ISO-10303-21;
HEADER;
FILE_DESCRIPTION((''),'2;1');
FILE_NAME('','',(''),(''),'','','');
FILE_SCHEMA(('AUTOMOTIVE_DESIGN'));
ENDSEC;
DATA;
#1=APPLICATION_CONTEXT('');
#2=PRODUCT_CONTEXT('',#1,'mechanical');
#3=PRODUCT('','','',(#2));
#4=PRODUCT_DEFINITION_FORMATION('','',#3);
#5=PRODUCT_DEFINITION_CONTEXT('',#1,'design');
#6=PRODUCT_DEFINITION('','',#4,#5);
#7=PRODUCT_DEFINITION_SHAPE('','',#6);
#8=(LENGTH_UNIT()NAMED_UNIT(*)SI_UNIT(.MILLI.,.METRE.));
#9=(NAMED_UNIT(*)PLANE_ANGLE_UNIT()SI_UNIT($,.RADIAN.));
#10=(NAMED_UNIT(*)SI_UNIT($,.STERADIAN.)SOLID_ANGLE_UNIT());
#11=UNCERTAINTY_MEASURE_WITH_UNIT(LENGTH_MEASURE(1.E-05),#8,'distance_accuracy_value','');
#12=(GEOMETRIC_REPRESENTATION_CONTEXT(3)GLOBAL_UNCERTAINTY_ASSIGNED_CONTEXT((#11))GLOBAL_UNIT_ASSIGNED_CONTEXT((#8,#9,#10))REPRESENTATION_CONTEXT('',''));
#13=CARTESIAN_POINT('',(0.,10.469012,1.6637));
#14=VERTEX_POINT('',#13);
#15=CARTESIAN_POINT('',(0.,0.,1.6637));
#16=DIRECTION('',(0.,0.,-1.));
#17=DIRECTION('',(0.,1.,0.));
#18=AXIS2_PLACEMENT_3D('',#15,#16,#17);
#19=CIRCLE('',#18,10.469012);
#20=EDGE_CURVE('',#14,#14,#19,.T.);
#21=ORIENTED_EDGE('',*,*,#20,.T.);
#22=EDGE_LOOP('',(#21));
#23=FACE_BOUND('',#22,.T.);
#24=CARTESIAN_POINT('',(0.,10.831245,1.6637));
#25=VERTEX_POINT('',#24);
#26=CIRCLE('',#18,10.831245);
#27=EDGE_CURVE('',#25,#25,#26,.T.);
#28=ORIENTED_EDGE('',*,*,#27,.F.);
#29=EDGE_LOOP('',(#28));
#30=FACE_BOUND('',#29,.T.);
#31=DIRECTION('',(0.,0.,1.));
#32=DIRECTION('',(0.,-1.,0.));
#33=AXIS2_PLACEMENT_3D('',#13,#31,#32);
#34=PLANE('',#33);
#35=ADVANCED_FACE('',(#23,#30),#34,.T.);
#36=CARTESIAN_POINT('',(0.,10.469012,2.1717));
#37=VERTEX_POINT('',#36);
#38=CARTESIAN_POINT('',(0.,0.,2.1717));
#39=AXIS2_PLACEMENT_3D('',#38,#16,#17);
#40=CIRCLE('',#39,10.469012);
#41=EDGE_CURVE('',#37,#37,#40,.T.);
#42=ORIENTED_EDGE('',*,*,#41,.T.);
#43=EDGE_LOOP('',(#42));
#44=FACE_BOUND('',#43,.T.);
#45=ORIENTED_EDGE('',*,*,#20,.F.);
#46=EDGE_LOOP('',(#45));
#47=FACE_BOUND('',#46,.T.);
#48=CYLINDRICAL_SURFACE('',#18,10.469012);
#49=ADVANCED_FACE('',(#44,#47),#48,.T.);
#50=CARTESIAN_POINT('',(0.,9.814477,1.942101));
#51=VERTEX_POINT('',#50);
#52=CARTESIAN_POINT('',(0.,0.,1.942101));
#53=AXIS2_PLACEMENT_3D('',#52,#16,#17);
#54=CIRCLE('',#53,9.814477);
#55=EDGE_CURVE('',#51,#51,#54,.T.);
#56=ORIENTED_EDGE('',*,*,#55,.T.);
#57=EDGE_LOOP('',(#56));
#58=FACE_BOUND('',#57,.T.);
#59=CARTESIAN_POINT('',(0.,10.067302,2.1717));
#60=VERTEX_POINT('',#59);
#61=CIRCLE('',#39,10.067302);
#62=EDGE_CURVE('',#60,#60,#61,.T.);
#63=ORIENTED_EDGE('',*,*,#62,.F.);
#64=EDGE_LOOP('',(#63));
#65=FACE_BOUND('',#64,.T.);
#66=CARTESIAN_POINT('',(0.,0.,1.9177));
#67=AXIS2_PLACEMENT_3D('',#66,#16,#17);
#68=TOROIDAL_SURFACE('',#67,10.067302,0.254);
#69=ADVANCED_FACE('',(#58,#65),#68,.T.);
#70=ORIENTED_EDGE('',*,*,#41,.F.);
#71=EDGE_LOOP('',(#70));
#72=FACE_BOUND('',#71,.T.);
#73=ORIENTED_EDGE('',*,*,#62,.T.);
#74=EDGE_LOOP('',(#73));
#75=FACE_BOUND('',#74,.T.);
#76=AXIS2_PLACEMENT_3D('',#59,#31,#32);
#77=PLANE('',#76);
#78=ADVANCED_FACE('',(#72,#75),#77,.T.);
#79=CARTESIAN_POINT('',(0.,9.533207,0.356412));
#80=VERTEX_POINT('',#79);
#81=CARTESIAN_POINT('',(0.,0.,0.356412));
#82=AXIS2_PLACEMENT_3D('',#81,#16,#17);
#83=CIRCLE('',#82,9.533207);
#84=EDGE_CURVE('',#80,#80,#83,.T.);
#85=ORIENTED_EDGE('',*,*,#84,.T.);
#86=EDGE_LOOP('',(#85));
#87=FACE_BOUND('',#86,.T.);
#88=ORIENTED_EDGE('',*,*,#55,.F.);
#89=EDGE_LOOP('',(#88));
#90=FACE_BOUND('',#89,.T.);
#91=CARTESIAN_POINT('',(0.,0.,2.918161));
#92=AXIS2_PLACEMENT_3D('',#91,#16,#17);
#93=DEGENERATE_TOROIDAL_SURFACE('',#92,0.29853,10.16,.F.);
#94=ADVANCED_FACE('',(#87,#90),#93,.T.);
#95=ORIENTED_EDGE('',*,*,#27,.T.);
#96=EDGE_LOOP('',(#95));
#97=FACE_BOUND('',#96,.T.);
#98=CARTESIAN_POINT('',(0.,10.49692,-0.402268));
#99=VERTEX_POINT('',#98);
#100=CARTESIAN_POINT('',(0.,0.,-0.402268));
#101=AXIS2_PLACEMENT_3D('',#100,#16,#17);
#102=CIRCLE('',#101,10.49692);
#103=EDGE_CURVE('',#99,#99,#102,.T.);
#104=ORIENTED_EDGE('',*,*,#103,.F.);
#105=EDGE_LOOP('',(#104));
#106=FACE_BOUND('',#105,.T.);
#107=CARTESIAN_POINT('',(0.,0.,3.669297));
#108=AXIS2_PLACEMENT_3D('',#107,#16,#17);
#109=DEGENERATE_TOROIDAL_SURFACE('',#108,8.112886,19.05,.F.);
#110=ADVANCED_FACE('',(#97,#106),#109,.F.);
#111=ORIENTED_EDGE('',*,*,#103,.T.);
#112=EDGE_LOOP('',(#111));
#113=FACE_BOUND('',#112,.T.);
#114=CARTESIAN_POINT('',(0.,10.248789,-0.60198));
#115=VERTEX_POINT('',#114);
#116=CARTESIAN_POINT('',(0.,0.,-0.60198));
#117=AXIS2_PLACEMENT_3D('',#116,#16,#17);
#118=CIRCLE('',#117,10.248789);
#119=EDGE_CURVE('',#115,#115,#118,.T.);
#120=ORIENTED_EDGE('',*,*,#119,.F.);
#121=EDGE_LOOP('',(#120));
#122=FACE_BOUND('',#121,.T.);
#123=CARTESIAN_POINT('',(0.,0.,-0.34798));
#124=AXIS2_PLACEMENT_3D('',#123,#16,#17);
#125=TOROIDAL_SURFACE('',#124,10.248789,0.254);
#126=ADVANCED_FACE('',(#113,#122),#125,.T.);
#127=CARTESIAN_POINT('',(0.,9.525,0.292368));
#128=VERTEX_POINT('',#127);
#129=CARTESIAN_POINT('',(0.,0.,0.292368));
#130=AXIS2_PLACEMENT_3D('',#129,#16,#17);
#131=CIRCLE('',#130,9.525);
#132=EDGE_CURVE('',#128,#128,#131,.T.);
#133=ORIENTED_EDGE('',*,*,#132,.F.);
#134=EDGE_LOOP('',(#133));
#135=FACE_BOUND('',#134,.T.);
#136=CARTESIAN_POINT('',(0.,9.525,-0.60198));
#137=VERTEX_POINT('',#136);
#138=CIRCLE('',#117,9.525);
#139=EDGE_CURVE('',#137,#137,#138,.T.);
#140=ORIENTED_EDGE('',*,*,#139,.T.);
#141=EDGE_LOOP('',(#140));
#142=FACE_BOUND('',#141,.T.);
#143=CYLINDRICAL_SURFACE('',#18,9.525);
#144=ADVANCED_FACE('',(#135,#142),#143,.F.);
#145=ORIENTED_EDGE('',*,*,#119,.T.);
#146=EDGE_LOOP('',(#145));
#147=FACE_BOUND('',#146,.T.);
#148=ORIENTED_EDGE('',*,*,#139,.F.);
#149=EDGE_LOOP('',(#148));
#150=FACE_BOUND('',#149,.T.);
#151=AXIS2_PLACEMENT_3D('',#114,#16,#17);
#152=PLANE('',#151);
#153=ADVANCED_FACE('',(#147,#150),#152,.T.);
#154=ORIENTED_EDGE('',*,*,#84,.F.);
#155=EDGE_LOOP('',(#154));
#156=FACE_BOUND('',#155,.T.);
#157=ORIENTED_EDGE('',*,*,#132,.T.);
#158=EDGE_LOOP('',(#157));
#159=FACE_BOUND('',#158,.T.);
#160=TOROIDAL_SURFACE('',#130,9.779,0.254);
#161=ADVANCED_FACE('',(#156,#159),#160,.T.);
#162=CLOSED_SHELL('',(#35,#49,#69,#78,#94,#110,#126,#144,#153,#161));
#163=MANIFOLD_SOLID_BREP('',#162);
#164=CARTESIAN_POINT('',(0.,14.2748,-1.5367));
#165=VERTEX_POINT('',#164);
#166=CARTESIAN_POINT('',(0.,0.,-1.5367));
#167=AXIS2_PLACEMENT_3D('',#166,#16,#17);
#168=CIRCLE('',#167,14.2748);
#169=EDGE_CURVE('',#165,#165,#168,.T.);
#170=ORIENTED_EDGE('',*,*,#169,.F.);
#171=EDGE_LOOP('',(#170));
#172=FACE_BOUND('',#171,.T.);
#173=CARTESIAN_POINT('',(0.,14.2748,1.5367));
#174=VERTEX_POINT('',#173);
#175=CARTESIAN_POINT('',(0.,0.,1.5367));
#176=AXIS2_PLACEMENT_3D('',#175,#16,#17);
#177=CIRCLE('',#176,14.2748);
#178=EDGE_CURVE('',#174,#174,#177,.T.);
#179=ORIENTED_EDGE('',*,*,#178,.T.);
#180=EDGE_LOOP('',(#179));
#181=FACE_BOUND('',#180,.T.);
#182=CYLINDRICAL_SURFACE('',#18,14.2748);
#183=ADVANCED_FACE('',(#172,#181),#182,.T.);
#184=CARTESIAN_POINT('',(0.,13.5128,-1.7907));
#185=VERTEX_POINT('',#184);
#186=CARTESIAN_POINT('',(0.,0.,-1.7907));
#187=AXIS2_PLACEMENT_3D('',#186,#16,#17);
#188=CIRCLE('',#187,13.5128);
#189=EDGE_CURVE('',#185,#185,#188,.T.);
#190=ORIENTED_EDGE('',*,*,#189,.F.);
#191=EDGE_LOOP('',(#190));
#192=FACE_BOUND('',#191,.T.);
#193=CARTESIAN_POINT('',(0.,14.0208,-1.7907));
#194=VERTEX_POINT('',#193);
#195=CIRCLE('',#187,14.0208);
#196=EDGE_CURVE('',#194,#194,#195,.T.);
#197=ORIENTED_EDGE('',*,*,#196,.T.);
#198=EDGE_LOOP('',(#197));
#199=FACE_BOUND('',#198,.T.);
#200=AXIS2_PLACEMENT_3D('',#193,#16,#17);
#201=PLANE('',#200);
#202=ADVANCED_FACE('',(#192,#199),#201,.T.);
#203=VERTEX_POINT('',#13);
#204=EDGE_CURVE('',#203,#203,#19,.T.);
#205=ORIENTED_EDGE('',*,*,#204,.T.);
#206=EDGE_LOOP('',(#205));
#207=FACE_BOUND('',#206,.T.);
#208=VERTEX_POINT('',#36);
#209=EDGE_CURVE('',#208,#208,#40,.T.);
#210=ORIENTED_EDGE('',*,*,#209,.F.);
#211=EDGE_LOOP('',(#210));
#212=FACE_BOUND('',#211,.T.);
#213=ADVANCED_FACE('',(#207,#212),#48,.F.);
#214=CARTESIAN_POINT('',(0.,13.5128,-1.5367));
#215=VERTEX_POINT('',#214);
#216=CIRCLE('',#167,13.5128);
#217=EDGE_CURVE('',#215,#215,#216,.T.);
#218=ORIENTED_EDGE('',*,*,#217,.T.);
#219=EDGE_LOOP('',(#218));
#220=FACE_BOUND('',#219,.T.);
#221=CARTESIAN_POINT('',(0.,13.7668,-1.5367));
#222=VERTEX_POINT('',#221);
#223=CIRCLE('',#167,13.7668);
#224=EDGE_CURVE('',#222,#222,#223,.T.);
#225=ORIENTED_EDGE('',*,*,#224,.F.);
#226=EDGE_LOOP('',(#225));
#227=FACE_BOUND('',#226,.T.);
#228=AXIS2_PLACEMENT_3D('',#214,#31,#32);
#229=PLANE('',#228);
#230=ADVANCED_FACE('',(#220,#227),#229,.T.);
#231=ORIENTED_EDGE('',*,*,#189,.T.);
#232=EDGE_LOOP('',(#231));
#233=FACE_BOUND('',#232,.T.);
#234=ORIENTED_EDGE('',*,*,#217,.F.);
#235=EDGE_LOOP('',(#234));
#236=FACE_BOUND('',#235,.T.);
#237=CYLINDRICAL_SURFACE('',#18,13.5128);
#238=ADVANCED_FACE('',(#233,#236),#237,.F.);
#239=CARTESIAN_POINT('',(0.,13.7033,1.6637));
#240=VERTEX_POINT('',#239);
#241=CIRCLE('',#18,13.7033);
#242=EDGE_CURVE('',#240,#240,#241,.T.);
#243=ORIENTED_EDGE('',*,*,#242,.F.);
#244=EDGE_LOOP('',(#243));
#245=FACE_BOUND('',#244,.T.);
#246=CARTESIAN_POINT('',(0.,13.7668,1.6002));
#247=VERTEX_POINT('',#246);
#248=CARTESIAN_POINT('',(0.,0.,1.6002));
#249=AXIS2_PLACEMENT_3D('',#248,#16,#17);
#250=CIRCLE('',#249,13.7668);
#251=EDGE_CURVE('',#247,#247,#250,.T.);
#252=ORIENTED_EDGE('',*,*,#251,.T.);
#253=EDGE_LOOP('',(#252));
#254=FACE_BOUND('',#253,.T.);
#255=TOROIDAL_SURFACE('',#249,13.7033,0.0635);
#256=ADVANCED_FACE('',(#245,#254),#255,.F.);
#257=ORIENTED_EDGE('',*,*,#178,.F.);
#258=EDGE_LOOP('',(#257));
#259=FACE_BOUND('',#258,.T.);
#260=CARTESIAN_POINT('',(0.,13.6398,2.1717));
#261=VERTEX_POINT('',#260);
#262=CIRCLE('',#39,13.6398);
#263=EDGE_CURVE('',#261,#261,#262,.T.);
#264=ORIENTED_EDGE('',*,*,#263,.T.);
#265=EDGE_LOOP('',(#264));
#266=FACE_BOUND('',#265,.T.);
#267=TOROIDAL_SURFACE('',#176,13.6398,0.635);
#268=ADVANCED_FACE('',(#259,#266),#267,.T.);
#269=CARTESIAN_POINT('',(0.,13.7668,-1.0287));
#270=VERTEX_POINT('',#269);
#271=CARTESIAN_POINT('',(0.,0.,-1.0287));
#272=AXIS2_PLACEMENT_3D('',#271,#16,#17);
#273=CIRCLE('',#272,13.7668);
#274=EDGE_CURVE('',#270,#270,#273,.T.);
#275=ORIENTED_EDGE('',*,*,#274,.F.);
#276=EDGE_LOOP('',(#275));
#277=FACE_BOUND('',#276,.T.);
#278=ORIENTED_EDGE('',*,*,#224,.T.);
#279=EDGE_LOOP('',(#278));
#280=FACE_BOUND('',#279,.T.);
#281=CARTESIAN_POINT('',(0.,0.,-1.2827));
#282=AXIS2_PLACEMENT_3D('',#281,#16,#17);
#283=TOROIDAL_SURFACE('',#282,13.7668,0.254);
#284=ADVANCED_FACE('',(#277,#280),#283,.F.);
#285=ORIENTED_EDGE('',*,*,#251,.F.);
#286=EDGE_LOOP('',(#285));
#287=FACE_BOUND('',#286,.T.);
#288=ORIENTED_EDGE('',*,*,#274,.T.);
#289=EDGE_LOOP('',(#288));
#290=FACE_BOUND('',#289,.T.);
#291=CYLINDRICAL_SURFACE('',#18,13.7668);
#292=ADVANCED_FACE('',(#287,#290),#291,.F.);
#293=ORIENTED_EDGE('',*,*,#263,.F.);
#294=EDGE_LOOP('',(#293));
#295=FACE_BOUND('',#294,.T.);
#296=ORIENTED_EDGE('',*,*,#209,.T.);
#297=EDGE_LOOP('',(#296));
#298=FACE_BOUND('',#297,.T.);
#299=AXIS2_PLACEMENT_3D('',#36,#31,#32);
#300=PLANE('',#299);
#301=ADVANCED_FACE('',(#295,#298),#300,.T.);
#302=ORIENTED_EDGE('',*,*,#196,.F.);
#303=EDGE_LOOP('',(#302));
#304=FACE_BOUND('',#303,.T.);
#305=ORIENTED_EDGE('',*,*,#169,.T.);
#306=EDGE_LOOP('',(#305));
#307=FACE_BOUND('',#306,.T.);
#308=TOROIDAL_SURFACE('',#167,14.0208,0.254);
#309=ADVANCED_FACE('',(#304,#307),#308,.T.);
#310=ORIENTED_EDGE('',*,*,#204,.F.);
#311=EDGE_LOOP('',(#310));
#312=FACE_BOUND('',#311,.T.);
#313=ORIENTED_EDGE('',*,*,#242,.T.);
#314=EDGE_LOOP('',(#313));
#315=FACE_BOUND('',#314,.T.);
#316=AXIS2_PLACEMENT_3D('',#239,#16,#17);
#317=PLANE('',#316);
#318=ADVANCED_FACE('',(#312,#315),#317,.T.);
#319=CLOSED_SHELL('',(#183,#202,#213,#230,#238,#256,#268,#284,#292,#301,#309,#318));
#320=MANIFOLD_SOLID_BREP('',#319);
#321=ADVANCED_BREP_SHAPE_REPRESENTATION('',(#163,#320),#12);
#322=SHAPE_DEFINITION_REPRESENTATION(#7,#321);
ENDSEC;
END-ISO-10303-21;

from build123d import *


with BuildPart() as part:
    # Sketch2 → Revolve1 (revolve)
    with BuildSketch(Plane(origin=(0, 0, 0), x_dir=(0, 0, -1), z_dir=(1, 0, 0))):
        with BuildLine():
            Line((-2.1717, 10.469011515), (-2.1717, 13.6398))
            ThreePointArc((-2.1717, 13.6398), (-1.985712806, 14.088812806), (-1.5367, 14.2748))
            Line((-1.5367, 14.2748), (1.5367, 14.2748))
            ThreePointArc((1.5367, 14.2748), (1.716305122, 14.200405122), (1.7907, 14.0208))
            Line((1.7907, 14.0208), (1.7907, 13.5128))
            Line((1.7907, 13.5128), (1.5367, 13.5128))
            Line((1.5367, 13.5128), (1.5367, 13.7668))
            ThreePointArc((1.5367, 13.7668), (1.2827, 14.0208), (1.0287, 13.7668))
            Line((1.0287, 13.7668), (-1.6002, 13.7668))
            ThreePointArc((-1.6002, 13.7668), (-1.645101281, 13.748201281), (-1.6637, 13.7033))
            Line((-1.6637, 13.7033), (-1.6637, 10.469011515))
            Line((-1.6637, 10.469011515), (-2.1717, 10.469011515))
        make_face()
    revolve(axis=Axis((0, 0, 1.6637), (0, 0, 1)))


with BuildPart() as body_2:
    # Sketch3 → Revolve2 (revolve)
    with BuildSketch(Plane(origin=(0, 0, 0), x_dir=(0, 0, -1), z_dir=(1, 0, 0))):
        with BuildLine():
            Line((0.60198, 9.525), (-0.292368083, 9.525))
            ThreePointArc((-0.292368083, 9.525), (-0.324651771, 9.52706), (-0.356411802, 9.533206586))
            ThreePointArc((-0.356411802, 9.533206586), (-1.143674906, 9.705309345), (-1.942101476, 9.814476951))
            ThreePointArc((-1.942101476, 9.814476951), (-2.105734538, 9.896542022), (-2.1717, 10.067302124))
            Line((-2.1717, 10.067302124), (-2.1717, 10.469011515))
            Line((-2.1717, 10.469011515), (-1.6637, 10.469011515))
            Line((-1.6637, 10.469011515), (-1.6637, 10.831244803))
            ThreePointArc((-1.6637, 10.831244803), (-0.626121629, 10.692474816), (0.402267523, 10.496919873))
            ThreePointArc((0.402267523, 10.496919873), (0.545849946, 10.408048306), (0.60198, 10.248789131))
            Line((0.60198, 10.248789131), (0.60198, 9.525))
        make_face()
    revolve(axis=Axis((0, 0, 1.6637), (0, 0, 1)))


solid = Compound([part.part, body_2.part])
